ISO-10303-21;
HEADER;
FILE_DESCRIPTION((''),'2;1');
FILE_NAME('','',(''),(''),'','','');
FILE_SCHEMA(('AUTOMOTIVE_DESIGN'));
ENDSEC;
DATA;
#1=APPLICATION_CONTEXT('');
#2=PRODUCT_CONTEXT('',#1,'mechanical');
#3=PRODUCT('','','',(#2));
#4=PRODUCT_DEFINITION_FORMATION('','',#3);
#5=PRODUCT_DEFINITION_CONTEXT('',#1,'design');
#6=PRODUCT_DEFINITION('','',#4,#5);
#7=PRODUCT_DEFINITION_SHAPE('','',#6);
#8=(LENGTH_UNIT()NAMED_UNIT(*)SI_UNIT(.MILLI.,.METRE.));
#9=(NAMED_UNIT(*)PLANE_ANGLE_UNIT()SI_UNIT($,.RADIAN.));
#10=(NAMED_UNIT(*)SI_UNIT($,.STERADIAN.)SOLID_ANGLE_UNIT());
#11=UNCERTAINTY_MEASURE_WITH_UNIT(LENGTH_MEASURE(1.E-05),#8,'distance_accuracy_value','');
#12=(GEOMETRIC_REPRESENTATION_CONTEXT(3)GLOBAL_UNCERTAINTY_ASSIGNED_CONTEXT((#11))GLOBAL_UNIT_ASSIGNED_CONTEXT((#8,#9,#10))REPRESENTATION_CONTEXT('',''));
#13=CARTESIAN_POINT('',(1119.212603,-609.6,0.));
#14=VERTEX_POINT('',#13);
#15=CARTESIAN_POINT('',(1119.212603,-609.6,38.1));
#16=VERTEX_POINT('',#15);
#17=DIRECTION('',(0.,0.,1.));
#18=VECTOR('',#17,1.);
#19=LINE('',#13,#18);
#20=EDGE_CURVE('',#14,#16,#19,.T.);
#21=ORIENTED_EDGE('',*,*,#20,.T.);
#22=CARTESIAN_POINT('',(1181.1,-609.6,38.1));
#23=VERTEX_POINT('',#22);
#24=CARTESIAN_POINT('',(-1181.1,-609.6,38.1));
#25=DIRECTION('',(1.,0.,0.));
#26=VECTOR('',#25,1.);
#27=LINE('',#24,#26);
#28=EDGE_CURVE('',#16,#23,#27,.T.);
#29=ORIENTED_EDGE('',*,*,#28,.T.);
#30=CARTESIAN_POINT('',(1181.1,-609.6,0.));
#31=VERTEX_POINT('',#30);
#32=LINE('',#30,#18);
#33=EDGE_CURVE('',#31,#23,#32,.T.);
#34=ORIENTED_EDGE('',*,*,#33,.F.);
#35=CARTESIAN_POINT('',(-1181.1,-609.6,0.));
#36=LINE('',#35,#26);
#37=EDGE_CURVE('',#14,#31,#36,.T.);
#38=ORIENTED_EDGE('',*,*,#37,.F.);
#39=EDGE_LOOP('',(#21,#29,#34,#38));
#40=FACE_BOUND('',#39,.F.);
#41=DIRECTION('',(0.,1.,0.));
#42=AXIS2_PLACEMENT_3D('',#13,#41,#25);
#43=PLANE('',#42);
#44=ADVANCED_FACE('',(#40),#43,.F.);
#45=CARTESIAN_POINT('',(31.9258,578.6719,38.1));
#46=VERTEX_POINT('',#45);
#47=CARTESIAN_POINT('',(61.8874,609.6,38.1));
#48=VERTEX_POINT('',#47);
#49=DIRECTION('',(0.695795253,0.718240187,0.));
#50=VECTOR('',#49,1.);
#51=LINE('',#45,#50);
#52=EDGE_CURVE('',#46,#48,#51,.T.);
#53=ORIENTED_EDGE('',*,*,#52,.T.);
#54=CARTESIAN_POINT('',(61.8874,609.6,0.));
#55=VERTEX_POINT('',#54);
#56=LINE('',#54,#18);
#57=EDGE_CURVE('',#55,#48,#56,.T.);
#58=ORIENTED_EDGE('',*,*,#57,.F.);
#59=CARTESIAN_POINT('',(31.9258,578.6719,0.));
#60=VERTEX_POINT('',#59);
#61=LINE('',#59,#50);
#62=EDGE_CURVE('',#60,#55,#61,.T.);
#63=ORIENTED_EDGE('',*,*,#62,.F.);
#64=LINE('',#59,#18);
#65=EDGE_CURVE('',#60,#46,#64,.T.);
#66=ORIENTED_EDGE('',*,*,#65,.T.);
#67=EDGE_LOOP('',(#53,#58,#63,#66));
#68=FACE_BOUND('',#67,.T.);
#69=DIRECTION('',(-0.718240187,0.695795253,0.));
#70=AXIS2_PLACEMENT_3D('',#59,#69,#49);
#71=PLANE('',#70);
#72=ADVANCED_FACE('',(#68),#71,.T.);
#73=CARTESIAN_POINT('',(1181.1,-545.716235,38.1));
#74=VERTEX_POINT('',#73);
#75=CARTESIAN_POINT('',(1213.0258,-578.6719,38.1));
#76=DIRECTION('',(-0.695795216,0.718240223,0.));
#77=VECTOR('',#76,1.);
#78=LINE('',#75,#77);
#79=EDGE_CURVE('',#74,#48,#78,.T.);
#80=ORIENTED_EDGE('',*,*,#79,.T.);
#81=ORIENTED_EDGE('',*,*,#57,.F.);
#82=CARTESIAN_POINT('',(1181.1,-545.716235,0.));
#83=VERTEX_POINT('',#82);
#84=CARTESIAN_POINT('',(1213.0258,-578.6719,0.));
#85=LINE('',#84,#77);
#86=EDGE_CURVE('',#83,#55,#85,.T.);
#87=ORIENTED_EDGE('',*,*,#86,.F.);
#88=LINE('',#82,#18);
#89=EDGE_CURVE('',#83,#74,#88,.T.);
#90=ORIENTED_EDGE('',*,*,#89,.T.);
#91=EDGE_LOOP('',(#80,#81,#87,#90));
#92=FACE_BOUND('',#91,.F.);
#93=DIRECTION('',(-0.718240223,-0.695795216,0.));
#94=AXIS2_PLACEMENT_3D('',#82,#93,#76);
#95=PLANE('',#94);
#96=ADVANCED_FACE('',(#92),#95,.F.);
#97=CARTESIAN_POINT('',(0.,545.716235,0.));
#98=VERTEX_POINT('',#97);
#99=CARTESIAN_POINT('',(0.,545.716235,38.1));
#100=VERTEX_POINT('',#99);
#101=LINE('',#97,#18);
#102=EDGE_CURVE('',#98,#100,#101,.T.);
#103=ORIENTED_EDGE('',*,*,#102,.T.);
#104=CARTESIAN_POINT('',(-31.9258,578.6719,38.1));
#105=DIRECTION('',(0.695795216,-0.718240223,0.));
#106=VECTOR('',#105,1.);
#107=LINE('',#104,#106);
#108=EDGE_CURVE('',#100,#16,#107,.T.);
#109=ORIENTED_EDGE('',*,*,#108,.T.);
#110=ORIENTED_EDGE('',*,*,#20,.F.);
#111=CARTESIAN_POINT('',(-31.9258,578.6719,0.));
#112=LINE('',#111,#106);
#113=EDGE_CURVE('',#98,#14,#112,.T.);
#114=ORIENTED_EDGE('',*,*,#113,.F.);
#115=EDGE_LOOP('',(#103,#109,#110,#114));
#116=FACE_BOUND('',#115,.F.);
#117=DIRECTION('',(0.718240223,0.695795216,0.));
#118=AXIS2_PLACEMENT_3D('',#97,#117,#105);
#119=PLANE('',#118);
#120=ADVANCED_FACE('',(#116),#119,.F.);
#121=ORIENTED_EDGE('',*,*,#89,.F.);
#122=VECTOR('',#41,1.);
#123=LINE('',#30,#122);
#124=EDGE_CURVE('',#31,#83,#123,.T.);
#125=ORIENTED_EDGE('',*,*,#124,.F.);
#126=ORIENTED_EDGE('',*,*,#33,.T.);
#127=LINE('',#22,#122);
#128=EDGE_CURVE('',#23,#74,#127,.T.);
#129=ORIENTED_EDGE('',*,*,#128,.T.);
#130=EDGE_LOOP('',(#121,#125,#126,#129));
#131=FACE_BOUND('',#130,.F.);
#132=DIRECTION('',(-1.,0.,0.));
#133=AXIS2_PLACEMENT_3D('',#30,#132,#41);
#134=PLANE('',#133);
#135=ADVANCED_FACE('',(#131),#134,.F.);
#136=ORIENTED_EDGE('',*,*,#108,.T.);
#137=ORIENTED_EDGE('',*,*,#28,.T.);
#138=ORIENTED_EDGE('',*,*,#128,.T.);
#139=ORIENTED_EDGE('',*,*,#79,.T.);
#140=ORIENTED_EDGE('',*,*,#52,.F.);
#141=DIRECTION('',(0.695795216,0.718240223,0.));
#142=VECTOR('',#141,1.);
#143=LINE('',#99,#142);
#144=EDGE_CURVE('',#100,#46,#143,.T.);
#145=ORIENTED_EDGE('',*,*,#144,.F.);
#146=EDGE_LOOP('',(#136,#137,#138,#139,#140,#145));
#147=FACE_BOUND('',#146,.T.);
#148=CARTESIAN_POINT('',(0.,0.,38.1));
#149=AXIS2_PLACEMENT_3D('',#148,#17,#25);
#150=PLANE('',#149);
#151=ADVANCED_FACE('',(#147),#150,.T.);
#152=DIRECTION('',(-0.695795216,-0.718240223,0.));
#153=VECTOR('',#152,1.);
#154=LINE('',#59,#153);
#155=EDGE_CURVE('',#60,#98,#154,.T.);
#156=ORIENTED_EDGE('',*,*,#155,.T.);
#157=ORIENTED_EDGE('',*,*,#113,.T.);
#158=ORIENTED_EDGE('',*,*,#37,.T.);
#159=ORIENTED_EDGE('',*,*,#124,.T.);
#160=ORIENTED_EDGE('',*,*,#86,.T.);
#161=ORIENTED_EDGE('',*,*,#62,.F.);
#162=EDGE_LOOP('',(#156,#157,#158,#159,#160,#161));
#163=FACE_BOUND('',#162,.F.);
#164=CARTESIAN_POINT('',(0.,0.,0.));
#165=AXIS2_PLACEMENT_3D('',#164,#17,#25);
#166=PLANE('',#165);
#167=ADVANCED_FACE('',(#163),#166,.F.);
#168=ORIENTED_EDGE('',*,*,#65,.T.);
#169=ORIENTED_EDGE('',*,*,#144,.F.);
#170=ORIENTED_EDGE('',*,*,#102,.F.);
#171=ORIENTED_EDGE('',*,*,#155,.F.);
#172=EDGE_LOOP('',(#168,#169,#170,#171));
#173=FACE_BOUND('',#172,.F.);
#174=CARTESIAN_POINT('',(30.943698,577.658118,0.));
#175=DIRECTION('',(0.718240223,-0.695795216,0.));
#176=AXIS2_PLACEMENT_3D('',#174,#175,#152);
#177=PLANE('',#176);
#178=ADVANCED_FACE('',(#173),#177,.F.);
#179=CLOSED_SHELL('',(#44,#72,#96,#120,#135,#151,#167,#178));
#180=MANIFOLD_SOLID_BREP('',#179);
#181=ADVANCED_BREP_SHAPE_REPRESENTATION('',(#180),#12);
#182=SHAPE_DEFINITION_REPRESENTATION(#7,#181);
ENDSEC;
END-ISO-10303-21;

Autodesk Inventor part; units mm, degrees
ref_plane "YZ Plane" through (0, 0, 0) normal (1, 0, 0) x (0, 1, 0)
ref_plane "XZ Plane" through (0, 0, 0) normal (0, 1, 0) x (-1, 0, 0)
ref_plane "XY Plane" through (0, 0, 0) normal (0, 0, 1) x (1, 0, 0)
sketch "Sketch1" plane through (0, 0, 0) normal (0, 0, 1) x (1, 0, 0)
  line L0 (-1181.1, -609.6) -> (1181.1, -609.6)
  line L1 (1181.1, -609.6) -> (1181.1, 609.6)
  line L2 (1181.1, 609.6) -> (-1181.1, 609.6)
  line L3 (-1181.1, 609.6) -> (-1181.1, -609.6)
  line L4 (-1181.1, -609.6) -> (1181.1, 609.6) construction
  line L5 (1181.1, -609.6) -> (-1181.1, 609.6) construction
  line L6 (0, 609.6) -> (0, -609.6)
  line L7 (0, 609.6) -> (1181.1, -609.6)
  line L8 (-31.9258, 578.6719) -> (31.9258, 640.5281)
  line L9 (1149.1742, -640.5281) -> (1213.0258, -578.6719)
  line L10 (-31.9258, 578.6719) -> (1149.1742, -640.5281)
  line L11 (1213.0258, -578.6719) -> (31.9258, 640.5281)
  line L12 (-31.9258, 578.6719) -> (-61.8874, 609.6)
  line L13 (1181.1, -609.6) -> (-1181.1, 609.6) construction
  line L14 (0, 609.6) -> (-1181.1, -609.6)
  line L15 (31.9258, 578.6719) -> (-31.9258, 640.5281)
  line L16 (-1149.1742, -640.5281) -> (-1213.0258, -578.6719)
  line L17 (31.9258, 578.6719) -> (-1149.1742, -640.5281)
  line L18 (-1213.0258, -578.6719) -> (-31.9258, 640.5281)
  line L19 (31.9258, 578.6719) -> (61.8874, 609.6)
  point P0 (0, 0)
  point P1 (-1181.1, -545.7163)
  point P2 (-1119.2126, -609.6)
  point P3 (61.8874, 609.6)
  point P4 (0, 545.7163)
  point P5 (1119.2126, -609.6)
  point P6 (1181.1, -545.7163)
  point P7 (61.8874, 609.6)
  dimension "d0" = 2362.2
  dimension "d1" = 1219.2
  dimension "d3" = 88.9
  dimension "d4" = 88.9
extrude "Extrusion1" add sketch "Sketch1" along normal blind 38.1 contours L17 L7 L0 L10 | L17 L19 L11 L1 L7
properties part number "S_2x4x65.081"
